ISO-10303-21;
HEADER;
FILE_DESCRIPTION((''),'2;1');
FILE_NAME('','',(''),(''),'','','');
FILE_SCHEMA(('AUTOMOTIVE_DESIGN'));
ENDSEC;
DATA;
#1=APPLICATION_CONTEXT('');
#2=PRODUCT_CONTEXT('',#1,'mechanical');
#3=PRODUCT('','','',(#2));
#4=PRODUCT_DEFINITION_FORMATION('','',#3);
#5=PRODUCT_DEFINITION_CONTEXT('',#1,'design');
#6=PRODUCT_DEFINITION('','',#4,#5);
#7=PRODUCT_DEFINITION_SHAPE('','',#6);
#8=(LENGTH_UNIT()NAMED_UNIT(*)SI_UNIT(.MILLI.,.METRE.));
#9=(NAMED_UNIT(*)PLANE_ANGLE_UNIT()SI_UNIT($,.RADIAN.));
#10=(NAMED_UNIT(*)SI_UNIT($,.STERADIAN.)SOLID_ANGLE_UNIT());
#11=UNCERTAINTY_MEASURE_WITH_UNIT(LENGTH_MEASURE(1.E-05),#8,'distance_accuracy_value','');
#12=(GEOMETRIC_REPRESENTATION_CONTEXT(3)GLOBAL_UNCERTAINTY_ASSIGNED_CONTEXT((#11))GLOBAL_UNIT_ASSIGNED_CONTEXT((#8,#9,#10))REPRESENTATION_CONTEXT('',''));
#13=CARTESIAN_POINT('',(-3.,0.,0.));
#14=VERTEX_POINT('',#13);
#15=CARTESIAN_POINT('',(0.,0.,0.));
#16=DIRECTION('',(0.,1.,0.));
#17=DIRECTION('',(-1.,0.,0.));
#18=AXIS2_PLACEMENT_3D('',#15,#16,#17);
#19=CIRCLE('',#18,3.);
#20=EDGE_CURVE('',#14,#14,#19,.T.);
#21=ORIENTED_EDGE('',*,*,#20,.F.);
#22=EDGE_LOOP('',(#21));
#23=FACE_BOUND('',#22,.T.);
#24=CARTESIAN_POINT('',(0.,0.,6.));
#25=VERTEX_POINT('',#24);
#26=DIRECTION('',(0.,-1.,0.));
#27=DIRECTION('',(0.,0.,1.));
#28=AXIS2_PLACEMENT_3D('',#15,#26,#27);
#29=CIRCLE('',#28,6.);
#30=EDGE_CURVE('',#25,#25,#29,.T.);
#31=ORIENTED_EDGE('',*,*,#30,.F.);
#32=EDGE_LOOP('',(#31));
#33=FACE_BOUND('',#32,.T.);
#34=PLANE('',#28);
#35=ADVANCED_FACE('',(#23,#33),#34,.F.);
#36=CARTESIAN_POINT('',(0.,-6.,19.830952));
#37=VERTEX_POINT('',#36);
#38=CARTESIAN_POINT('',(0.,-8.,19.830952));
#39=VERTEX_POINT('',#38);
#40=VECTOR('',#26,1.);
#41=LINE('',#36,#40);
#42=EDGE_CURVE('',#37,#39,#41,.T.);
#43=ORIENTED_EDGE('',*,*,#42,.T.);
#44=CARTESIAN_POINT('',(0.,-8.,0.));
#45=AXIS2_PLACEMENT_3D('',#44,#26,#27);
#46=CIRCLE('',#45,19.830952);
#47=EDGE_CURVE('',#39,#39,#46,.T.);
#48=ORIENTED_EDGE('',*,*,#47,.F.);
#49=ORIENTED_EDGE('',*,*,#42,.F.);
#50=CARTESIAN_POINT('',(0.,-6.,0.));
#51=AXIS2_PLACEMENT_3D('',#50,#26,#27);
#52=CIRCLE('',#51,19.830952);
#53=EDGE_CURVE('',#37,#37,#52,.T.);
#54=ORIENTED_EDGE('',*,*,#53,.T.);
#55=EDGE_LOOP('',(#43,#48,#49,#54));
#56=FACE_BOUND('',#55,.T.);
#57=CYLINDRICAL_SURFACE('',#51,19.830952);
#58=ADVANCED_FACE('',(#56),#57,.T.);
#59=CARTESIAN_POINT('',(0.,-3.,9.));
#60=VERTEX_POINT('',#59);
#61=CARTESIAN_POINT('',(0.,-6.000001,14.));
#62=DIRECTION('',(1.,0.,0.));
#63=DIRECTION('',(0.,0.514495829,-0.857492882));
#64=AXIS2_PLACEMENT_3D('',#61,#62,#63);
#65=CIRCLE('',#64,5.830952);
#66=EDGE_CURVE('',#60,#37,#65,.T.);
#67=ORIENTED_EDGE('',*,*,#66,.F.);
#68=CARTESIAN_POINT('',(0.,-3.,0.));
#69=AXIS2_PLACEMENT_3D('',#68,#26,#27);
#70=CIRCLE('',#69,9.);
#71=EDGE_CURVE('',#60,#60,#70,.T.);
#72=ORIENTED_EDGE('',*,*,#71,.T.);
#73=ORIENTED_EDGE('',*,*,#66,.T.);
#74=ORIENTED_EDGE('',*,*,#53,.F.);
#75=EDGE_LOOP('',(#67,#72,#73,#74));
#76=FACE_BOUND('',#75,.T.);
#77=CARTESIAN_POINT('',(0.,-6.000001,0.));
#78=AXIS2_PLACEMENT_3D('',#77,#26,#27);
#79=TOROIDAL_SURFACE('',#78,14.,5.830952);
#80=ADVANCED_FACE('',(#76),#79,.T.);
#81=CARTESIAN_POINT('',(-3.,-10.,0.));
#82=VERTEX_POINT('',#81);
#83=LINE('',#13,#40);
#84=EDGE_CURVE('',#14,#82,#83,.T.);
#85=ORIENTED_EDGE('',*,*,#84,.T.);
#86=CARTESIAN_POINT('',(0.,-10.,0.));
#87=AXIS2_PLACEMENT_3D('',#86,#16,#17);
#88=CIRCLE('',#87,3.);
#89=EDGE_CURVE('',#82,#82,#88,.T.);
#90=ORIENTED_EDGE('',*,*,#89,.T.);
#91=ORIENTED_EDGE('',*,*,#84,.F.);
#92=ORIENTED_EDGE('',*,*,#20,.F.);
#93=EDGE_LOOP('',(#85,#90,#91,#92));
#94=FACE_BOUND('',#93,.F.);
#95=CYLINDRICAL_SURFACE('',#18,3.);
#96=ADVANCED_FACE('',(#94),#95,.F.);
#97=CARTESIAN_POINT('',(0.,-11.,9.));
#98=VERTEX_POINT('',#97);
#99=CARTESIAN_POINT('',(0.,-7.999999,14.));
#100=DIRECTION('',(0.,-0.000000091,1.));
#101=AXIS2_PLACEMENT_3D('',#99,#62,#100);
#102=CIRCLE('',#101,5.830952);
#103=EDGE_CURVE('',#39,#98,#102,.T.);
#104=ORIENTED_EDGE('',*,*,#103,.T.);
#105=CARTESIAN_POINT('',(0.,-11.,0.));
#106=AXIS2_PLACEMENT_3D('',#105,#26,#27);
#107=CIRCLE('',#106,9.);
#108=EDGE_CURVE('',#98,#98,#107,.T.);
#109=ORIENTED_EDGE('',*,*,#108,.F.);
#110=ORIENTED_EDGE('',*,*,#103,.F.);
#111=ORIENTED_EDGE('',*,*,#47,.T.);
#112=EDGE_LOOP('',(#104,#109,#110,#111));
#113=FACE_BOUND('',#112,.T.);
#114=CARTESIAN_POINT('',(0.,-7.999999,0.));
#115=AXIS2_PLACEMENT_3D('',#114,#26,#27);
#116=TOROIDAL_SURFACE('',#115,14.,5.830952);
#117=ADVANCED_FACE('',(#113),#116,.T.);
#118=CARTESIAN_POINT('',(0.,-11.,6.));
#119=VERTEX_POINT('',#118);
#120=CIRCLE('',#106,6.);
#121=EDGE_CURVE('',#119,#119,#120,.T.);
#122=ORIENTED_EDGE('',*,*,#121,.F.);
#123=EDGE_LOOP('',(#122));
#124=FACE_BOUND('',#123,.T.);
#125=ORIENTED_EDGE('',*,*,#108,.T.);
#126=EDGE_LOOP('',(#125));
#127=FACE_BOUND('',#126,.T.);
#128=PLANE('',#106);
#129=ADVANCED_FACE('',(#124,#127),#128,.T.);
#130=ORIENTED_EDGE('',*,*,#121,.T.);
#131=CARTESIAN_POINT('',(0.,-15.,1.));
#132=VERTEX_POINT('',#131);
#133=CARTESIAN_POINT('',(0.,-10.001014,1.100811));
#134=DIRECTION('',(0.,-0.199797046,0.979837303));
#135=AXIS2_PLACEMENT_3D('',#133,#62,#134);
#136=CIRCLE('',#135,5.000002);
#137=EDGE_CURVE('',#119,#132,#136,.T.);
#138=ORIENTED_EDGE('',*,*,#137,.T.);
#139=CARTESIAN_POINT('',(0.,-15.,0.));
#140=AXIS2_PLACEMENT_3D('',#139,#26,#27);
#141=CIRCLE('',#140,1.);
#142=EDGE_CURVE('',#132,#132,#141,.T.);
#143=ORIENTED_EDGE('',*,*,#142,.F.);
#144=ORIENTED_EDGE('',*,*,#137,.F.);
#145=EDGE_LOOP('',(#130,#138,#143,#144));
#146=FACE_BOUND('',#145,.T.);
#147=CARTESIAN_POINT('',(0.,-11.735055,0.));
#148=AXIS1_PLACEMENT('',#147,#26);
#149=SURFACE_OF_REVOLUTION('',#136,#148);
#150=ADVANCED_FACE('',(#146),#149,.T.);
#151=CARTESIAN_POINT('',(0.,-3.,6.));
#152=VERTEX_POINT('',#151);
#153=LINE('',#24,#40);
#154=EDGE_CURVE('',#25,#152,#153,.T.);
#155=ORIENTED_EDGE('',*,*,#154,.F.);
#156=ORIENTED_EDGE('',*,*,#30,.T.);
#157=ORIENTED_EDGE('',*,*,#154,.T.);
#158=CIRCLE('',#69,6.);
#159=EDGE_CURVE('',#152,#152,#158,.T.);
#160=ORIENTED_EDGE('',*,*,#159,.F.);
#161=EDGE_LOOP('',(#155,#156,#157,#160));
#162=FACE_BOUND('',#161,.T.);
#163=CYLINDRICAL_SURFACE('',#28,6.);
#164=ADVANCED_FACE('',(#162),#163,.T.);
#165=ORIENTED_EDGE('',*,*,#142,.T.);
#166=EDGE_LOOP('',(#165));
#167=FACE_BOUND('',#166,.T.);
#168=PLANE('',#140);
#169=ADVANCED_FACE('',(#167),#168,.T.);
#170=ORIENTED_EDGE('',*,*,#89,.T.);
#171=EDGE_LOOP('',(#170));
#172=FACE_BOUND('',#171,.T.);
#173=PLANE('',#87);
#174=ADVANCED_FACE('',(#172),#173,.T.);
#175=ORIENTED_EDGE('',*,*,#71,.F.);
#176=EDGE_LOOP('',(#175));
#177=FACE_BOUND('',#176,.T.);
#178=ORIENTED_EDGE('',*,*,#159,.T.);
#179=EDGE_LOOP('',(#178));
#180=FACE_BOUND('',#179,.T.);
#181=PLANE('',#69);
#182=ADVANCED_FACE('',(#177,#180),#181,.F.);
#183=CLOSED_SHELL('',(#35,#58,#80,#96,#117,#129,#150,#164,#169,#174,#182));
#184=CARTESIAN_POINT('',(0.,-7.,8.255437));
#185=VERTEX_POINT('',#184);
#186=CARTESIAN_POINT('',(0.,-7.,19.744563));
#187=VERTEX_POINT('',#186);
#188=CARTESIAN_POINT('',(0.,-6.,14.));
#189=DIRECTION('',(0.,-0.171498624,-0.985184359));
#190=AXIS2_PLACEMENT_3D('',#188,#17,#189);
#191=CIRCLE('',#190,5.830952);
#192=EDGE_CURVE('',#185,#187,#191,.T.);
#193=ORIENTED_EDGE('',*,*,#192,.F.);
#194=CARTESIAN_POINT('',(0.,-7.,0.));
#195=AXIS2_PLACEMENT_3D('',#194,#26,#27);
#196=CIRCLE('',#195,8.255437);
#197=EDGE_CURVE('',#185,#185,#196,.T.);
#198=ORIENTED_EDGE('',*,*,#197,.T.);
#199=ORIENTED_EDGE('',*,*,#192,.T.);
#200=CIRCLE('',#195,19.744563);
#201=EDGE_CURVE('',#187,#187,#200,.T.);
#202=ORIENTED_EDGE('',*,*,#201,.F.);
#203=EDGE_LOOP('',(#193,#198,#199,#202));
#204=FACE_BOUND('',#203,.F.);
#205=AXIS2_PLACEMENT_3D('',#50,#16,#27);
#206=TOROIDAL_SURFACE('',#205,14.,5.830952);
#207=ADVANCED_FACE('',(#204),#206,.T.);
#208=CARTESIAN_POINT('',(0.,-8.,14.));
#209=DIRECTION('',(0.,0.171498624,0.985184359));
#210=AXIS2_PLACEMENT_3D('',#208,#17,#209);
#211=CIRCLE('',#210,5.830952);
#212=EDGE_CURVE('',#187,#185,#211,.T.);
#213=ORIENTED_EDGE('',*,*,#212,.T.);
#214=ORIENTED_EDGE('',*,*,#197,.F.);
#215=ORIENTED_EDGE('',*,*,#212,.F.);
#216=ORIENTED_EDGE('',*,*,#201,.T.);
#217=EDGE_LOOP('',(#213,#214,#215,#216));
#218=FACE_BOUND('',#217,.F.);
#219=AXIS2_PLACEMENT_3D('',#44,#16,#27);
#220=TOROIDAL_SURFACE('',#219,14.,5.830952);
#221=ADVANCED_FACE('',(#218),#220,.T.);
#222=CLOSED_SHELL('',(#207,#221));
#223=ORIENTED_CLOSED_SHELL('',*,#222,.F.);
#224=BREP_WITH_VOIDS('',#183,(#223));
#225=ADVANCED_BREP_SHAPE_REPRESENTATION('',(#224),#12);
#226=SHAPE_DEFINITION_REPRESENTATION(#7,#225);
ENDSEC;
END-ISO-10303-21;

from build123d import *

# Parameters (mm, degrees)
F2_R     = 3
F3_DEPTH = 10


with BuildPart() as f1:
    # F0 (on Right) → F1 (revolve)
    with BuildSketch(Plane.YZ):
        with BuildLine():
            Line((-15, 0), (0, 0))
            Line((0, 0), (0, 6))
            Line((0, 6), (-3, 6))
            Line((-3, 6), (-3, 9))
            ThreePointArc((-3, 9), (-4.932951, 8.267513), (-7, 8.255437))
            ThreePointArc((-7, 8.255437), (-9.067049, 8.267513), (-11, 9))
            Line((-11, 9), (-11, 6))
            ThreePointArc((-11, 6), (-13.90536, 4.224288), (-15, 1))
            Line((-15, 1), (-15, 0))
        make_face()
        with BuildLine():
            ThreePointArc((-7, 8.255437), (-4.932951, 8.267513), (-3, 9))
            ThreePointArc((-3, 9), (-0.380625, 15.556477), (-6, 19.830952))
            Line((-6, 19.830952), (-8, 19.830952))
            ThreePointArc((-8, 19.830952), (-13.619375, 15.556477), (-11, 9))
            ThreePointArc((-11, 9), (-9.067049, 8.267513), (-7, 8.255437))
        make_face()
        with BuildLine():
            ThreePointArc((-7, 19.744563), (-2.169048, 14), (-7, 8.255437))
            ThreePointArc((-7, 8.255437), (-11.830952, 14), (-7, 19.744563))
        make_face(mode=Mode.SUBTRACT)
    revolve(axis=Axis((0, -11.735055, 0), (0, -1, 0)))

    # F2 (on face) → F3 (cut)
    with BuildSketch(Plane(origin=(0, 0, 0), x_dir=(-1, 0, 0), z_dir=(0, 1, 0))):
        Circle(F2_R)
    extrude(amount=-F3_DEPTH, mode=Mode.SUBTRACT)


solid = f1.part
